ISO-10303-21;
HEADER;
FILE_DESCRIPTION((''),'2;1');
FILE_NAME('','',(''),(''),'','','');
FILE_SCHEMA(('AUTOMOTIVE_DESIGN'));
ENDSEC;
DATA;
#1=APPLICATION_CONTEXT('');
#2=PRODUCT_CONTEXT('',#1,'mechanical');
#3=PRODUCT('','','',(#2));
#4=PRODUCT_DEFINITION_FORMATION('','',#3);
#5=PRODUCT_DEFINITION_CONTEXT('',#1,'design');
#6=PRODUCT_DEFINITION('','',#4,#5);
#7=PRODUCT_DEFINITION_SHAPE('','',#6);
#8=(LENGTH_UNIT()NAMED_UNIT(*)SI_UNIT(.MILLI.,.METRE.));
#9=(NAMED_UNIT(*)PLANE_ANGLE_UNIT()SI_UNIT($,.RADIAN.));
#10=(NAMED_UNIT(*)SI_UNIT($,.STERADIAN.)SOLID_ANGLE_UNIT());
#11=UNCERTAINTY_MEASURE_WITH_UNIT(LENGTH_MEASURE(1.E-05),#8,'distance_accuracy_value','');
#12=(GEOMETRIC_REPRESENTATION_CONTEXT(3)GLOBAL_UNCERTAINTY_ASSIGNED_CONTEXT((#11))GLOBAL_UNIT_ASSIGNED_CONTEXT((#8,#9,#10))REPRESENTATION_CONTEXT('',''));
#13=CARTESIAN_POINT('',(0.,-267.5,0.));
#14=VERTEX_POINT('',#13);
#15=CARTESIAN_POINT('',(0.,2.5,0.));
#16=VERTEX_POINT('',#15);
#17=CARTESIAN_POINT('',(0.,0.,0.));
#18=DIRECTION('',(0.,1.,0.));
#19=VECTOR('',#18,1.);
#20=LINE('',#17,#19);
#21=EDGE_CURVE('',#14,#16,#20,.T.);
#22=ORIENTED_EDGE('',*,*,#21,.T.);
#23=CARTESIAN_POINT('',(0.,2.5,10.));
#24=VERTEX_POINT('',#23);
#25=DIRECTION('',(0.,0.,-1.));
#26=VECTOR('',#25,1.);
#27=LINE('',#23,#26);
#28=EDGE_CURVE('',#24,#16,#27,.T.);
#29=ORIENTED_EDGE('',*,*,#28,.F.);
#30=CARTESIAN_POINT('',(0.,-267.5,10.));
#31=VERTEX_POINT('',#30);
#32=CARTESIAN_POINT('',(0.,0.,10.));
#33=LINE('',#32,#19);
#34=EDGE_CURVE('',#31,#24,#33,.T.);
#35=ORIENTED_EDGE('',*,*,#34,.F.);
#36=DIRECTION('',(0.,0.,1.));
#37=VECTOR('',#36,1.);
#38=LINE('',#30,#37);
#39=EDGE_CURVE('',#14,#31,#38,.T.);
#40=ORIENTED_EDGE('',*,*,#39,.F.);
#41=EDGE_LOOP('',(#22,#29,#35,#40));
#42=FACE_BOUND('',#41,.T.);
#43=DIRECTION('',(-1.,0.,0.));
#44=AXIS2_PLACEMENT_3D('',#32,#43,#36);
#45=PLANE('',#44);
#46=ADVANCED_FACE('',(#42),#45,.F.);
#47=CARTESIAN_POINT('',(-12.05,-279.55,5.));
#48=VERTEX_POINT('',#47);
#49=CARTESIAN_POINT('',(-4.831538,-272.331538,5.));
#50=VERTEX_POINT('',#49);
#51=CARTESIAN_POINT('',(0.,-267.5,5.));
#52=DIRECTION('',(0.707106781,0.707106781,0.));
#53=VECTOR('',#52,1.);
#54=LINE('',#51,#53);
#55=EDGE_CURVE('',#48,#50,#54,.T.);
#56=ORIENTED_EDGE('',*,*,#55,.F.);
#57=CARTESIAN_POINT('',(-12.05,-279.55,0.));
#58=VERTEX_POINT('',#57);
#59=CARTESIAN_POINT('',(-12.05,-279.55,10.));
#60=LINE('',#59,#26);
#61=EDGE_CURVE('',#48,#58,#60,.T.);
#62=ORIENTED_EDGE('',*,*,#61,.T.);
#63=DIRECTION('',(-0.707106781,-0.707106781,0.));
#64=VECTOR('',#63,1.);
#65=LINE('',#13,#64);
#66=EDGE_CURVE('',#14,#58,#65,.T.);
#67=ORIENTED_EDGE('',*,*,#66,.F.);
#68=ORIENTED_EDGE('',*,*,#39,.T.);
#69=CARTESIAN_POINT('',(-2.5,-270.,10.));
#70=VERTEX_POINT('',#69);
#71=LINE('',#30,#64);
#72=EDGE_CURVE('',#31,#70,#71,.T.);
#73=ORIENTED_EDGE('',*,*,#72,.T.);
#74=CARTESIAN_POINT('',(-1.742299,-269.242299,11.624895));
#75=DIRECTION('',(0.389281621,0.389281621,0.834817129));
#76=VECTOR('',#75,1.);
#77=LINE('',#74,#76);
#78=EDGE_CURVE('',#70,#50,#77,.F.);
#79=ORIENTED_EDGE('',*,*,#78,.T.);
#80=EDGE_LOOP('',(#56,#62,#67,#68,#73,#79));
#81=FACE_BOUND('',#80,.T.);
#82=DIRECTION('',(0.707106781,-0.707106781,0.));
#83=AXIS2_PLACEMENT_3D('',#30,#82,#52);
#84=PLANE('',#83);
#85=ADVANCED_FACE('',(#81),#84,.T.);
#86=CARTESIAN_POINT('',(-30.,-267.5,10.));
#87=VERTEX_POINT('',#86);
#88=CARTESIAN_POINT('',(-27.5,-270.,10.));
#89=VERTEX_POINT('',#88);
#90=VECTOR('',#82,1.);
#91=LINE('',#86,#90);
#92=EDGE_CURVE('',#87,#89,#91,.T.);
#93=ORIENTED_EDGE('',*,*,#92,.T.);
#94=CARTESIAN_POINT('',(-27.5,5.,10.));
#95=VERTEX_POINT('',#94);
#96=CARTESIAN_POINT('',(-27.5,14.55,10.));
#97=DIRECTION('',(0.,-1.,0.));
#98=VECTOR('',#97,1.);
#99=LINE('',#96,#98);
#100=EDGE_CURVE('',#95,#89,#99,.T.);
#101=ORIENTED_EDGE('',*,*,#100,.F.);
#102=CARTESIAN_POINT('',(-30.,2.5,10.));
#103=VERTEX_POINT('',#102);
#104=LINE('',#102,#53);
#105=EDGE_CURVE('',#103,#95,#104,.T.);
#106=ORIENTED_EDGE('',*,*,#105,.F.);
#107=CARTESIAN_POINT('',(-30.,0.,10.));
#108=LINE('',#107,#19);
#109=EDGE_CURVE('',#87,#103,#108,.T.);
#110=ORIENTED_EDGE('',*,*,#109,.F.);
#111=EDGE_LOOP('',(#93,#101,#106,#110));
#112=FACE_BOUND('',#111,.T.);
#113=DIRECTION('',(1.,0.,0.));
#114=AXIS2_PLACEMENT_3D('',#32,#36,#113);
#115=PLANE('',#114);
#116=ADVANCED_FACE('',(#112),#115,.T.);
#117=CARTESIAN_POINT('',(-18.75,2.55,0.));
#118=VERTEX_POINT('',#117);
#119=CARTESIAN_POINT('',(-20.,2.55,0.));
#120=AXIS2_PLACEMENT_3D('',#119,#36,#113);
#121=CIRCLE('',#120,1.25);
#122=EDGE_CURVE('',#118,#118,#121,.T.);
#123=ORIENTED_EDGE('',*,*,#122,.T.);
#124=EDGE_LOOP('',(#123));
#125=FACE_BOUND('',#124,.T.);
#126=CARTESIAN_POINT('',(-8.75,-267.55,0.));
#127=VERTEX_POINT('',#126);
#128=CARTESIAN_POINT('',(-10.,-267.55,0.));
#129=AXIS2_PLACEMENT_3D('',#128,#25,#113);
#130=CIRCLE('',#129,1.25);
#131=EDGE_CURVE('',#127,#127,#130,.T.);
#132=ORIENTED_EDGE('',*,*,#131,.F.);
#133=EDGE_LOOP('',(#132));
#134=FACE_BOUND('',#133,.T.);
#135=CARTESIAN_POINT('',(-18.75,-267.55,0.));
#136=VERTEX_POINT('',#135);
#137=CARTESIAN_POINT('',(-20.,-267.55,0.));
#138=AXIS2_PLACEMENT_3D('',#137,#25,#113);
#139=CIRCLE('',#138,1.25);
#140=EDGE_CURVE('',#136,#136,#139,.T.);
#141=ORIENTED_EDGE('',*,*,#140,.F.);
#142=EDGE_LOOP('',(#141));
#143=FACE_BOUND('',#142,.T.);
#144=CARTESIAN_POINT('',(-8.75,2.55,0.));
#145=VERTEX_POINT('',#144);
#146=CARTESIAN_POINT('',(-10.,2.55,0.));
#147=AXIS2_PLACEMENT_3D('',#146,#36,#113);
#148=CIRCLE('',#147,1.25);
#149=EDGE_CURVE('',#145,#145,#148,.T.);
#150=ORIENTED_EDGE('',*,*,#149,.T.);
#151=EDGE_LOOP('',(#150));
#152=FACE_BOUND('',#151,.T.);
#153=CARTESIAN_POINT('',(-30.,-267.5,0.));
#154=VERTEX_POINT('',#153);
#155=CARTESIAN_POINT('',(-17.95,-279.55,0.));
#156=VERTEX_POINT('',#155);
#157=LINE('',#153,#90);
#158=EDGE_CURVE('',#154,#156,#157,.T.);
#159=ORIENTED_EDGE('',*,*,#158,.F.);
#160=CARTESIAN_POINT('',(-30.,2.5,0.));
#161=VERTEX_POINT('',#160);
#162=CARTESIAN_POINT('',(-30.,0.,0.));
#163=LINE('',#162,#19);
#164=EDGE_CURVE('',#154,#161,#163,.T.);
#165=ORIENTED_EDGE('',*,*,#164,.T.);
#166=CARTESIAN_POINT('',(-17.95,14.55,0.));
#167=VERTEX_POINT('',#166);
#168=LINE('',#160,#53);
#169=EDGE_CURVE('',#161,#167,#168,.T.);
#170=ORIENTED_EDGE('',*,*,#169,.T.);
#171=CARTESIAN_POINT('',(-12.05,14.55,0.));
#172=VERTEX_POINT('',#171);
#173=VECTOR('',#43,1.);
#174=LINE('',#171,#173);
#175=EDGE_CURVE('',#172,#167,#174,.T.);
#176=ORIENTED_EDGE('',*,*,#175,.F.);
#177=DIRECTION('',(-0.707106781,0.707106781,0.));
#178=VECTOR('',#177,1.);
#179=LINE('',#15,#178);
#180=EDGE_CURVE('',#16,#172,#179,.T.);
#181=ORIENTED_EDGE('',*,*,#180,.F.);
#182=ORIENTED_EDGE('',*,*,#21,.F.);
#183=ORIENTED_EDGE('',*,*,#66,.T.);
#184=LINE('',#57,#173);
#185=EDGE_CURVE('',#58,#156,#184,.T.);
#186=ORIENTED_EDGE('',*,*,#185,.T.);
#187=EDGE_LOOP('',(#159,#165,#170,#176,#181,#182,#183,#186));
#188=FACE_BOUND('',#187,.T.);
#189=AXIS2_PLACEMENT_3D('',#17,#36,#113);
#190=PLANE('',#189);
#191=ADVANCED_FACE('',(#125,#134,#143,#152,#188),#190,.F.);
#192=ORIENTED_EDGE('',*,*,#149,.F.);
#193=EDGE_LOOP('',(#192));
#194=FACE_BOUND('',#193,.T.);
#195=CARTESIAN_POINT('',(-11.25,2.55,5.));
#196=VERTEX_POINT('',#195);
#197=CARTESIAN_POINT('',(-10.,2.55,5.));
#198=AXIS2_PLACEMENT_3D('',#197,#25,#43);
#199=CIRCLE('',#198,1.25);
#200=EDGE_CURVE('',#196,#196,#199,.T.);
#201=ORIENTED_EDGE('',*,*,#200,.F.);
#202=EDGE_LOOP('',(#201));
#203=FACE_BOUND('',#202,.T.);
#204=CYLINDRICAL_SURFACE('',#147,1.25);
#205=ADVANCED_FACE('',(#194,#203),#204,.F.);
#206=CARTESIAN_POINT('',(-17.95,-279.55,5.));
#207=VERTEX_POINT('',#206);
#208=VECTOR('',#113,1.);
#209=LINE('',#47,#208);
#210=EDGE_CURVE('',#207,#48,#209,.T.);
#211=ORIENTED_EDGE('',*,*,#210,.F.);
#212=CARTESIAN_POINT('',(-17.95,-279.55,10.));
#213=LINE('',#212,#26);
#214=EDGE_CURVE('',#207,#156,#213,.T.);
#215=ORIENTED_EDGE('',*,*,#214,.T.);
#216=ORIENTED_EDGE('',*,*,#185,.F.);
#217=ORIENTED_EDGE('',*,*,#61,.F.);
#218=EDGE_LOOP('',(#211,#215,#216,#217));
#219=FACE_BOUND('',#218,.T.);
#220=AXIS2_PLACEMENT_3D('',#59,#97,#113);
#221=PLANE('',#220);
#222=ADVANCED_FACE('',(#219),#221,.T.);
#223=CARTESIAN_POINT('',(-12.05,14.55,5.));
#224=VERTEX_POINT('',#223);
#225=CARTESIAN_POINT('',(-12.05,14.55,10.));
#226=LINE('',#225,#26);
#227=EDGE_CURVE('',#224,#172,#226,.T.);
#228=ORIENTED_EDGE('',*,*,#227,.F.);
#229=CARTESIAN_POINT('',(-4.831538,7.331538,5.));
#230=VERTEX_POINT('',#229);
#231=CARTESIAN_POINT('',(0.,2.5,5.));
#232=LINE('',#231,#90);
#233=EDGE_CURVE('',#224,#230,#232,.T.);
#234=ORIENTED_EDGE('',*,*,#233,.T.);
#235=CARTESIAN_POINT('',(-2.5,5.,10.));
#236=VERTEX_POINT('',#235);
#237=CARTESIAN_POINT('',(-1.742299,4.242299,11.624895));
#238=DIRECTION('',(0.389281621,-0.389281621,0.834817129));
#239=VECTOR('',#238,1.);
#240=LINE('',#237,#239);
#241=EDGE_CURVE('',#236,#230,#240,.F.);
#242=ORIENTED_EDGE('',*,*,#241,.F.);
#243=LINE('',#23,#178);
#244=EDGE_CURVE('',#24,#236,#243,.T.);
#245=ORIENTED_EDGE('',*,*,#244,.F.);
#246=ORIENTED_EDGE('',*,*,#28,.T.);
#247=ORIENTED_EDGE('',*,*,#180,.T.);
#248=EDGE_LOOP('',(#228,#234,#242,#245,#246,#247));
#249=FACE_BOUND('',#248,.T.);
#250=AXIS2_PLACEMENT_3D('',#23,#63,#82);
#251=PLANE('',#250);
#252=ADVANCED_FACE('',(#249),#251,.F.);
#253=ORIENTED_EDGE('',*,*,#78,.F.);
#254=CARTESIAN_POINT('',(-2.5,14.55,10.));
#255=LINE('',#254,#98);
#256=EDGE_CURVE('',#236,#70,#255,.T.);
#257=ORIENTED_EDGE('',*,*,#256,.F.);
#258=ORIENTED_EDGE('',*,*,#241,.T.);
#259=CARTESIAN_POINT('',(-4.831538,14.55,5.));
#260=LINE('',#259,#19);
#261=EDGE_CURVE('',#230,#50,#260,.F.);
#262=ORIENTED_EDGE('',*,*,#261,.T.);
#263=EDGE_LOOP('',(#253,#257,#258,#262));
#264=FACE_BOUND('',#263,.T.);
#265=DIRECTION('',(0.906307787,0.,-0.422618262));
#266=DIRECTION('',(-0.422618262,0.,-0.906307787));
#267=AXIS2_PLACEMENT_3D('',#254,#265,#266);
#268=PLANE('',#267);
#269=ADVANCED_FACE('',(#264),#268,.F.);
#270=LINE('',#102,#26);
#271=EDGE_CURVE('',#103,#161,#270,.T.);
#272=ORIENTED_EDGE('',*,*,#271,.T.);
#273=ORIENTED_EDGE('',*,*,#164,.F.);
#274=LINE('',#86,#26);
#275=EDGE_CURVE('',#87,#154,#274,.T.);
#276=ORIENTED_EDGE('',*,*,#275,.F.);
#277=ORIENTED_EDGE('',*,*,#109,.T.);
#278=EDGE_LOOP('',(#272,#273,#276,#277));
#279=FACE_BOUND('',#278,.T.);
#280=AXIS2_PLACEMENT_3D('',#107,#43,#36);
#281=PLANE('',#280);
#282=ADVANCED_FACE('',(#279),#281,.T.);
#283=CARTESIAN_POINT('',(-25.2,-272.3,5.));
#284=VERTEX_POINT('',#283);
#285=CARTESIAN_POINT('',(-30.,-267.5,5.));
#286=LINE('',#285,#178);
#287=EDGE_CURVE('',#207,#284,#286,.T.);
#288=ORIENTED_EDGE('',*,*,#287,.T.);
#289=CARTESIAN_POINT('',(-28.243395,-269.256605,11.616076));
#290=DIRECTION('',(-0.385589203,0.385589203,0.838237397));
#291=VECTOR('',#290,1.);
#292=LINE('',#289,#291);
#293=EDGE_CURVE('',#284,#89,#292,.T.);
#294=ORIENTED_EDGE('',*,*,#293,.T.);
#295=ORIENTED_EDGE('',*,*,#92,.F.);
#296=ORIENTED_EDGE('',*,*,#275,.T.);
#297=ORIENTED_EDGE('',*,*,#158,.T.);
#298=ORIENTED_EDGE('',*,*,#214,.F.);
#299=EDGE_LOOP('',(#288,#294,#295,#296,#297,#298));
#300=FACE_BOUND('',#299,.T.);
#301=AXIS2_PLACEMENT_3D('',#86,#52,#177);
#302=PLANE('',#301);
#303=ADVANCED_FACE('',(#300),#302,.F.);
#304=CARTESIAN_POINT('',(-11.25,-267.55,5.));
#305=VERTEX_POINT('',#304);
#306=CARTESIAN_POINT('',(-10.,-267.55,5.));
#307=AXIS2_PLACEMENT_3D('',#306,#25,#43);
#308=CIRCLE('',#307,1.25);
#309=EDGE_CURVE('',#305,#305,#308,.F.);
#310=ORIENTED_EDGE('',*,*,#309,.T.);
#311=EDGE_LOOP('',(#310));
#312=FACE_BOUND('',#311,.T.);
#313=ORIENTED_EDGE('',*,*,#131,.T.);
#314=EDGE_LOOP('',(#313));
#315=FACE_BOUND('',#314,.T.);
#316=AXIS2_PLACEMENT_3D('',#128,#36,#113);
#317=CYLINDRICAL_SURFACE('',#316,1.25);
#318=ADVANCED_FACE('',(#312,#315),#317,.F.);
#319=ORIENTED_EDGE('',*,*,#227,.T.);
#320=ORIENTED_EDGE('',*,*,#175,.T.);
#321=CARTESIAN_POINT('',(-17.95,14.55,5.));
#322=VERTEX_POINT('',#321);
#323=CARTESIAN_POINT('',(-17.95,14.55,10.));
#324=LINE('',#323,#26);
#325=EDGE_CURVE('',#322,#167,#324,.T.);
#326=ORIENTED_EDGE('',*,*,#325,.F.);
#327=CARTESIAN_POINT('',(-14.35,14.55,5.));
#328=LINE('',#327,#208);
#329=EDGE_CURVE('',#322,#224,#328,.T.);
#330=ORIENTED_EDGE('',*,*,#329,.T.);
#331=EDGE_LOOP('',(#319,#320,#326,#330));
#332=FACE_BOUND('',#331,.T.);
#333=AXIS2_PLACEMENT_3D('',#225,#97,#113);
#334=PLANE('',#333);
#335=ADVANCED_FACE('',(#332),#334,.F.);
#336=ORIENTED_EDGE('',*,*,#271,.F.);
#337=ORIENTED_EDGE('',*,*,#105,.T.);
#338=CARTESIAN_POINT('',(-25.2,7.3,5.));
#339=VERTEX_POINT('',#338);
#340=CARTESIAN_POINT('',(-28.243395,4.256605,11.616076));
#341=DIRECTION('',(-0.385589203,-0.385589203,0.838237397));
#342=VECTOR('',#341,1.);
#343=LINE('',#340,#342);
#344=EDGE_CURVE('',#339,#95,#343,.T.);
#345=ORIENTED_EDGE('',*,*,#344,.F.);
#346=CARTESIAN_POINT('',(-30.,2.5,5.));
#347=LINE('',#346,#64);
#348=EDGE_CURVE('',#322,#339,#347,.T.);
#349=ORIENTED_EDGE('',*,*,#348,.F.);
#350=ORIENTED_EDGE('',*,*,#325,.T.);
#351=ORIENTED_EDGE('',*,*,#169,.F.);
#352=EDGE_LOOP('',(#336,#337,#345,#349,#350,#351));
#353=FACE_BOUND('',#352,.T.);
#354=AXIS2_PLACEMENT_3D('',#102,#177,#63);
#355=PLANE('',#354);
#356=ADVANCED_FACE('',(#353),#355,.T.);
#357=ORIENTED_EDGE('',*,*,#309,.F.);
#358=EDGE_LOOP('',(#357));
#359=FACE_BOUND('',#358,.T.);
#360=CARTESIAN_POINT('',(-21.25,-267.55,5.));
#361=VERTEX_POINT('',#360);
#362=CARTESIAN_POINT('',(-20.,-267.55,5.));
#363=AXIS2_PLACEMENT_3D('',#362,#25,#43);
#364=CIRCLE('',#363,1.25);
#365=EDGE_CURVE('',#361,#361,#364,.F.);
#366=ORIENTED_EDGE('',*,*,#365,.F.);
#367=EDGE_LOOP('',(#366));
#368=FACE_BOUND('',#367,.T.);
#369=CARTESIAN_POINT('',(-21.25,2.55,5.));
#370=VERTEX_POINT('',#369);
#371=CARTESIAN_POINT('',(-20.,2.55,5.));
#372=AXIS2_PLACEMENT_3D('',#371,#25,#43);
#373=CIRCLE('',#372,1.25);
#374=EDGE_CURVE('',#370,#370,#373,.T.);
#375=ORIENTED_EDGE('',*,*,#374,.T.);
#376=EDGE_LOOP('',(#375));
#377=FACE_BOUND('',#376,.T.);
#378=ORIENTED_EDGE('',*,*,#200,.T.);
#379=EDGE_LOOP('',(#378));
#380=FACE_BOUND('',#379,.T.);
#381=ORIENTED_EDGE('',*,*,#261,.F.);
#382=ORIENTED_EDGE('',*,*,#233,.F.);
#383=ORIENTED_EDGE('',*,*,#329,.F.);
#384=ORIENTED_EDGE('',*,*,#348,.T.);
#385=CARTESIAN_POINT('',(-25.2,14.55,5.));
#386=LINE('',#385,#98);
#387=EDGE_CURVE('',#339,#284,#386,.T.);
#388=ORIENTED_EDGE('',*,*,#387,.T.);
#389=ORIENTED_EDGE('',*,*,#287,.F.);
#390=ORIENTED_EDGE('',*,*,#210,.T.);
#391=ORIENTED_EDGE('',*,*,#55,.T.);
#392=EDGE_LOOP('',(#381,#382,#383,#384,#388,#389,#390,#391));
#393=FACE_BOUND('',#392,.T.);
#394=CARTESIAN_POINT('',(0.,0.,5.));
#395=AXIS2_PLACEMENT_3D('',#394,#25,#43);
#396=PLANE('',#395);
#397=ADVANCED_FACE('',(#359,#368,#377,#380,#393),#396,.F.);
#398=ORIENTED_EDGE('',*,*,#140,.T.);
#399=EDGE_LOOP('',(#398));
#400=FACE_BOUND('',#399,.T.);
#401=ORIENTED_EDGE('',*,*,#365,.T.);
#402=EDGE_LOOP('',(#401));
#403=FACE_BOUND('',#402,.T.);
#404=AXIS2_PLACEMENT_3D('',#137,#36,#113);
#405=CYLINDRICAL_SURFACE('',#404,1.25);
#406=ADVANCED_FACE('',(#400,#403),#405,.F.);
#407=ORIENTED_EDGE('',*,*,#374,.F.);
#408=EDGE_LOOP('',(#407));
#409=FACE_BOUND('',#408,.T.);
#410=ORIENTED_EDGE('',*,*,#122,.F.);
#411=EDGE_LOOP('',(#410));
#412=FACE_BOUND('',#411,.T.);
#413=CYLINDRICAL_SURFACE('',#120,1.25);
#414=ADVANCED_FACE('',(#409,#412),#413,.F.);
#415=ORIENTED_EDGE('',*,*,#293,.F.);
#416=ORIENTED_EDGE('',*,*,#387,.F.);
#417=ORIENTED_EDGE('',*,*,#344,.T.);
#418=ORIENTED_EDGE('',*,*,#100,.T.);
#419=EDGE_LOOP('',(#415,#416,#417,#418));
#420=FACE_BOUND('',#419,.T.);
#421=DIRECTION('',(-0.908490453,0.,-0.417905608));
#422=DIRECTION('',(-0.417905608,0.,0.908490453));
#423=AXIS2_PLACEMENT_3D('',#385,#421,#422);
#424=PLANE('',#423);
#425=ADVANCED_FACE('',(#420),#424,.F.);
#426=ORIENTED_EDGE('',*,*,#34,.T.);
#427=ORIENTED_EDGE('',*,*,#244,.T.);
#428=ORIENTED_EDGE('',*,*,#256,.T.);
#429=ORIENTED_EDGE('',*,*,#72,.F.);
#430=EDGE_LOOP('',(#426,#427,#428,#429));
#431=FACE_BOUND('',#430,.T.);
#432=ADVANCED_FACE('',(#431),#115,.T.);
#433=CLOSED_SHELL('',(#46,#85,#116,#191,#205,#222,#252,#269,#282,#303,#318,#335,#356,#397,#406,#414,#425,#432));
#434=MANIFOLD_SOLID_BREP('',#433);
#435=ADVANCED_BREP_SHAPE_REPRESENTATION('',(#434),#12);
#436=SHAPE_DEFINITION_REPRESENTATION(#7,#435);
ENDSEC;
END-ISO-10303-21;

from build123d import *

# Parameters (mm, degrees)
EXTRUDE_1_DEPTH     = 10
SKETCH_2_W          = 30
SKETCH_2_H          = 10
EXTRUDE_2_DEPTH     = 267.5
SKETCH_3_W          = 25
SKETCH_3_H          = 309.1
CUT_EXTRUDE_1_DEPTH = 5
CUT_EXTRUDE_1_DRAFT = -25
CUT_EXTRUDE_2_DEPTH = 296.795216324
SKETCH_5_R          = 1.25
CUT_EXTRUDE_3_DEPTH = 10
SKETCH_6_W          = 20.368461709
SKETCH_6_H          = 6.660502167
CUT_EXTRUDE_4_DEPTH = 400


with BuildPart() as part:
    # 스케치1 → 보스-돌출1 (new body)
    with BuildSketch(Plane.XY):
        Polygon((0, 0), (-30, 0), (-30, 2.5), (-17.95, 14.55), (-12.05, 14.55), (0, 2.5), align=None)
    extrude_1 = extrude(amount=EXTRUDE_1_DEPTH)

    # 스케치2 → 보스-돌출2 (add)
    with BuildSketch(Plane.XZ):
        with Locations((-15, 5)):
            Rectangle(SKETCH_2_W, SKETCH_2_H)
    extrude(amount=EXTRUDE_2_DEPTH)

    # 대칭 복사1: 보스-돌출1 across plane
    add(extrude_1.mirror(Plane(origin=(0, -132.5, 0), x_dir=(0, 0, 1), z_dir=(0, -1, 0))))


with BuildPart() as cut_extrude_1_tool:
    # 스케치3 → 컷-돌출1 (with draft: the straight prism first)
    with BuildSketch(Plane.XY.offset(10)):
        with Locations((-15, -140)):
            Rectangle(SKETCH_3_W, SKETCH_3_H)
    extrude(amount=-CUT_EXTRUDE_1_DEPTH)
    # 컷-돌출1: the draft: its side faces are tilted about the plane it starts from
    cut_extrude_1_sides = [cut_extrude_1_tool.faces().sort_by_distance(p)[0] for p in [
        (-27.5, -140, 7.5),
        (-15, -294.55, 7.5),
        (-2.5, -140, 7.5),
        (-15, 14.55, 7.5),
    ]]
    draft(cut_extrude_1_sides, Plane.XY.offset(10), CUT_EXTRUDE_1_DRAFT)


with BuildPart() as part_1:
    add(part.part)

    # 컷-돌출1: cut by cut_extrude_1_tool
    add(cut_extrude_1_tool.part, mode=Mode.SUBTRACT)

    # 스케치4 → 컷-돌출2 (cut, through all)
    with BuildSketch(Plane.XZ.offset(279.55)):
        Polygon((-27.5, 10), (-2.5, 10), (-14.35, 5), (-25.2, 5), align=None)
    extrude(amount=-CUT_EXTRUDE_2_DEPTH, mode=Mode.SUBTRACT)

    # 스케치5 → 컷-돌출3 (cut)
    with BuildSketch(Plane.XY.offset(10)):
        with Locations((-10, 2.55)):
            Circle(SKETCH_5_R)
        with Locations((-20, 2.55)):
            Circle(SKETCH_5_R)
    cut_extrude_3 = extrude(amount=-CUT_EXTRUDE_3_DEPTH, mode=Mode.SUBTRACT)

    # 대칭 복사2: 컷-돌출3 across plane
    add(cut_extrude_3.mirror(Plane(origin=(0, -132.5, 0), x_dir=(0, 0, 1), z_dir=(0, -1, 0))), mode=Mode.SUBTRACT)

    # 스케치6 → 컷-돌출4 (cut)
    with BuildSketch(Plane.XZ.offset(279.55)):
        with Locations((-15.015769146, 8.330251084)):
            Rectangle(SKETCH_6_W, SKETCH_6_H)
    extrude(amount=-CUT_EXTRUDE_4_DEPTH, mode=Mode.SUBTRACT)


solid = part_1.part
